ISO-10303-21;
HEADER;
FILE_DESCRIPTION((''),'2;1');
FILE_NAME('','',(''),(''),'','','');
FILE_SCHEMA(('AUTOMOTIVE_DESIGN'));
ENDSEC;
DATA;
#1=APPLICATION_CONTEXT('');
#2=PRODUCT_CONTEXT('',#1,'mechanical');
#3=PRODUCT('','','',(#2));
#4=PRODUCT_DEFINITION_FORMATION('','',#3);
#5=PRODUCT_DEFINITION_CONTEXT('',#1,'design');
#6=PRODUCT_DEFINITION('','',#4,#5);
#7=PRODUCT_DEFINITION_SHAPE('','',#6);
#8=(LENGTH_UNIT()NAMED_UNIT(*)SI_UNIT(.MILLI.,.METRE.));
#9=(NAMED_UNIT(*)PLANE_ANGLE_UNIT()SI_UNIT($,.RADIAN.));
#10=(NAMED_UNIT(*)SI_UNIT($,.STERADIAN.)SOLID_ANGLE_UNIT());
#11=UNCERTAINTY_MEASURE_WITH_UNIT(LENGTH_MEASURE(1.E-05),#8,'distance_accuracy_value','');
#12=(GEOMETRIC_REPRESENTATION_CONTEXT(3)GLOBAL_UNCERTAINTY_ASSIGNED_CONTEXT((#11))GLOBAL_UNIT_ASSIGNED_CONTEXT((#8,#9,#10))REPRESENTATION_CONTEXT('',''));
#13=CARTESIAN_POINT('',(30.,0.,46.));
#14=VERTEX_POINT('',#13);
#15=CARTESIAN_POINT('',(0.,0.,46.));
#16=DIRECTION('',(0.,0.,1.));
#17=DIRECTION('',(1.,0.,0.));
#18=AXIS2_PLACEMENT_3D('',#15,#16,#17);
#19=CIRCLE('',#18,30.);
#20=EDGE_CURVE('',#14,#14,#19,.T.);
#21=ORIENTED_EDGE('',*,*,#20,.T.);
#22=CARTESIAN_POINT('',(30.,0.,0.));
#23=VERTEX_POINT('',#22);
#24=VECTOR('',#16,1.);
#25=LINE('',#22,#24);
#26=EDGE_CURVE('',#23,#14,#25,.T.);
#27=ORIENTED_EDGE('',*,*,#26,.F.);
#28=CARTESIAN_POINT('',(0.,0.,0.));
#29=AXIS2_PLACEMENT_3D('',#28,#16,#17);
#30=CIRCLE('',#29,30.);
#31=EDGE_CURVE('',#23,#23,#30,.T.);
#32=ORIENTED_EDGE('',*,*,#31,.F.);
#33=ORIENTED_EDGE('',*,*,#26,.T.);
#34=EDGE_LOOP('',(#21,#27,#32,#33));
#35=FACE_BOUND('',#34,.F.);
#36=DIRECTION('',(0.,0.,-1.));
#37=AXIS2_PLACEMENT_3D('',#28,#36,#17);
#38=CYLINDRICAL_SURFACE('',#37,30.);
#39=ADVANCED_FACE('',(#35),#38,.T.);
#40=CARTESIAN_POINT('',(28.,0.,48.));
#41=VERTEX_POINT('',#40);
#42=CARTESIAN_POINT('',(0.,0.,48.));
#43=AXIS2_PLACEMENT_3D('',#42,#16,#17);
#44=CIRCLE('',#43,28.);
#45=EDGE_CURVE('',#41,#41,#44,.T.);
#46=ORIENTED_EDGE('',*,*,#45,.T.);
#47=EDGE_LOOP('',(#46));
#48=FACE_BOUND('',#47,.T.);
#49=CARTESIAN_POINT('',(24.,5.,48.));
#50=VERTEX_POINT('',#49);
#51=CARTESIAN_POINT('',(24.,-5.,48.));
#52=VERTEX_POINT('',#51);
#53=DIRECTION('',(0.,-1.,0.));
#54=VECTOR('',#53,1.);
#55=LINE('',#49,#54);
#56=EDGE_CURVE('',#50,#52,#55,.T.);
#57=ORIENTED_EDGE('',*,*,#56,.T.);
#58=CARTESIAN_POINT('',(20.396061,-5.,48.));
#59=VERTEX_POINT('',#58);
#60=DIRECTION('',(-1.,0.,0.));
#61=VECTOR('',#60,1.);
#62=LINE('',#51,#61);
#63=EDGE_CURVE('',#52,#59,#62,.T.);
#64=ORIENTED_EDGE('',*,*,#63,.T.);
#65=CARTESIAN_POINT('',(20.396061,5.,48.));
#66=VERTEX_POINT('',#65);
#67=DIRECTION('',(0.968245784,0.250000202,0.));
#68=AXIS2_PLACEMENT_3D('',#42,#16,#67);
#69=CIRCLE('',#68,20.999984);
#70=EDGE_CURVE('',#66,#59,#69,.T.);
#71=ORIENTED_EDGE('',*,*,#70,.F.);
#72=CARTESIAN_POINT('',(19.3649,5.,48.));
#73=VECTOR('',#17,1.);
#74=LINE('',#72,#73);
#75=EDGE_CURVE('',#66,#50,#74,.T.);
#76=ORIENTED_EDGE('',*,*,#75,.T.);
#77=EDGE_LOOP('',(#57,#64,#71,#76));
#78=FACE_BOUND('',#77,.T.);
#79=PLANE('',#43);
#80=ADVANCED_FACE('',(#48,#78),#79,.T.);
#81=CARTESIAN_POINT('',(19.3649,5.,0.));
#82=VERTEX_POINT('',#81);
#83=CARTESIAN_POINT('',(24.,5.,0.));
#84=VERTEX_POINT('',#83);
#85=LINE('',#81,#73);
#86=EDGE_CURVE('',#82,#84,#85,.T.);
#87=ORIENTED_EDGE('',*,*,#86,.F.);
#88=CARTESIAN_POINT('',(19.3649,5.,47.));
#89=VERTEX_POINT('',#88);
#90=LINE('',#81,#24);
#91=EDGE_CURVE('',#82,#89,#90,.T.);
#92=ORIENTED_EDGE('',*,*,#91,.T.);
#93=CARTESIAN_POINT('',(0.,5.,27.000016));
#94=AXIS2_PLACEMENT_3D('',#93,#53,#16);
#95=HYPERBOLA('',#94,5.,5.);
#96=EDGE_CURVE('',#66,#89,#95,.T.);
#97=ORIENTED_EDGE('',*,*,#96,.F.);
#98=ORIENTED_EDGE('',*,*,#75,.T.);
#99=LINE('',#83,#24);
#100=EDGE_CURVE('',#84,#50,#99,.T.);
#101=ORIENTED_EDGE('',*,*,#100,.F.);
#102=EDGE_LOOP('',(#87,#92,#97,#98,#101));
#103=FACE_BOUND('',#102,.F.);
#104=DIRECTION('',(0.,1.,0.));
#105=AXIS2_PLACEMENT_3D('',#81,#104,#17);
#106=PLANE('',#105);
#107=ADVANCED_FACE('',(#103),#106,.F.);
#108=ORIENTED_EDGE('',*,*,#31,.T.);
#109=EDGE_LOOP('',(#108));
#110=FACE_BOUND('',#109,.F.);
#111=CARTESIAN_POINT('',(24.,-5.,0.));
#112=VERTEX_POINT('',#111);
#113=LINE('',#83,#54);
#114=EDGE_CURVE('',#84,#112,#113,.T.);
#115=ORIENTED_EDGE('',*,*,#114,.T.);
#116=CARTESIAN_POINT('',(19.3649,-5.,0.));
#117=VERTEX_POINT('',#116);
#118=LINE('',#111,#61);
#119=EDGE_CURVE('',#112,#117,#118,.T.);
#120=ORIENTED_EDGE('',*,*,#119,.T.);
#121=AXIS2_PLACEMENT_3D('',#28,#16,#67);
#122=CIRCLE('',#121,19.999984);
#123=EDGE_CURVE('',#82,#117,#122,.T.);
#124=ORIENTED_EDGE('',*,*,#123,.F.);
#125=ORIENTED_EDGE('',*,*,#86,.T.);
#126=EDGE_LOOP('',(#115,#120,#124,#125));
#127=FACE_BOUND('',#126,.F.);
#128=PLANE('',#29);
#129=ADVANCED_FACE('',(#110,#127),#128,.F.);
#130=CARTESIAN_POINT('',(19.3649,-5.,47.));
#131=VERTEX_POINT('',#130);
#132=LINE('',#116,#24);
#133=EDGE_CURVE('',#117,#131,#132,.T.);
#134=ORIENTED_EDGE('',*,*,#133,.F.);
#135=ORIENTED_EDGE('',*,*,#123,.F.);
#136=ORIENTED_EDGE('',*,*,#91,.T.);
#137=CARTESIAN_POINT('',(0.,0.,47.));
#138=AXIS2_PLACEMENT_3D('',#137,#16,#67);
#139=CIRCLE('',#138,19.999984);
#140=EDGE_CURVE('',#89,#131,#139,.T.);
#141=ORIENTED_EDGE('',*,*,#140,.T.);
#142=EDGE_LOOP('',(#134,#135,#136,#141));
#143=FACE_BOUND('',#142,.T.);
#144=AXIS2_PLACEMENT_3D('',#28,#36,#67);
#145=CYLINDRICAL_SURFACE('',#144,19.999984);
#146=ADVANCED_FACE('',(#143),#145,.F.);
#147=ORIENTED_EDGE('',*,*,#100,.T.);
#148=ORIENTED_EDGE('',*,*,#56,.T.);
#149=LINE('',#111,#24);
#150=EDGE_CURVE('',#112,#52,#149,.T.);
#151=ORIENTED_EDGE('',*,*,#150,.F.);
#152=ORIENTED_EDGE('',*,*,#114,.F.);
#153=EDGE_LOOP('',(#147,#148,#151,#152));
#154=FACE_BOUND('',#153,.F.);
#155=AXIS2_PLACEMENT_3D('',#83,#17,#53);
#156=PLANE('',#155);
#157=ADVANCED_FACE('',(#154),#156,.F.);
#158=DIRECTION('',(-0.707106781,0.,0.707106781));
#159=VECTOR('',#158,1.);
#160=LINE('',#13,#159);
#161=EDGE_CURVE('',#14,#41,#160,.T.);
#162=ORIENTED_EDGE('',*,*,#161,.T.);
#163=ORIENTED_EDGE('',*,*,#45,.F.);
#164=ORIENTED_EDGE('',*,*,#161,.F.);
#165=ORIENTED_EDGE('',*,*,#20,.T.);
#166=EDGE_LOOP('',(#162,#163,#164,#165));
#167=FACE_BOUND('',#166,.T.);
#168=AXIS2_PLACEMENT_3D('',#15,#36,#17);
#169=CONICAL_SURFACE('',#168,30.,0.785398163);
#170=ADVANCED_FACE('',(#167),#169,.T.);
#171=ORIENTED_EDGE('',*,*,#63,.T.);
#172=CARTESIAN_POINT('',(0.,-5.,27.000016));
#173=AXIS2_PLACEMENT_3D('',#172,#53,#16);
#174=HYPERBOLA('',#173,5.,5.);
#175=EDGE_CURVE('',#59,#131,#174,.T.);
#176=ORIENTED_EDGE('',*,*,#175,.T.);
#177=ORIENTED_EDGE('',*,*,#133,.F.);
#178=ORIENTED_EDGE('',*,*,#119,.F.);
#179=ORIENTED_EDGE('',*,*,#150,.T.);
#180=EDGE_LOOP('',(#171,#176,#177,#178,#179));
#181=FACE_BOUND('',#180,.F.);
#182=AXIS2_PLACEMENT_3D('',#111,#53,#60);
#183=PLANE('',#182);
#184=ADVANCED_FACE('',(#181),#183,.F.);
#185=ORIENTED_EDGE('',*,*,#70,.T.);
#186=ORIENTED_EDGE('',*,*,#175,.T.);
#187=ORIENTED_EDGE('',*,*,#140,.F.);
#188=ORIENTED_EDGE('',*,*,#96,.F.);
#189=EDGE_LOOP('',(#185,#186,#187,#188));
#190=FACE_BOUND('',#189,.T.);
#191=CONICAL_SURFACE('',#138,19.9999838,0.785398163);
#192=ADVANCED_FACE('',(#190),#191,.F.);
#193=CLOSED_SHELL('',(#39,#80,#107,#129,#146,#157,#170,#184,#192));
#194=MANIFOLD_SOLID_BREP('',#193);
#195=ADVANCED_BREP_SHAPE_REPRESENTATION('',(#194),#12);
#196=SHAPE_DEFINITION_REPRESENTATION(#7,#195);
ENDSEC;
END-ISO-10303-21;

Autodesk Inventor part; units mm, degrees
ref_plane "YZ Plane" through (0, 0, 0) normal (1, 0, 0) x (0, 1, 0)
ref_plane "XZ Plane" through (0, 0, 0) normal (0, 1, 0) x (-1, 0, 0)
ref_plane "XY Plane" through (0, 0, 0) normal (0, 0, 1) x (1, 0, 0)
ref_plane "Płaszczyzna konstrukcyjna1" through (0, 0, 0) normal (0, 0, 1) x (1, 0, 0)
sketch "Szkic1" plane through (0, 0, 0) normal (0, 0, 1) x (1, 0, 0)
  arc A0 (19.3649, 5) -> (19.3649, -5) centre (0, 0) ccw projected
  line L0 (19.3649, 5) -> (24, 5) projected
  line L1 (24, 5) -> (24, -5) projected
  line L2 (24, -5) -> (19.3649, -5) projected
  circle A1 centre (0, 0) radius 30
  dimension "d0" = 60
extrude "Wyciągnięcie proste1" add sketch "Szkic1" along normal blind 48
chamfer "Faza1" distance 2 angle 45 1 edges at (-30, 0, 48)
chamfer "Faza2" distance 1 angle 45 1 edges at (-20, 0, 48)
properties material "Stal nierdzewna"
